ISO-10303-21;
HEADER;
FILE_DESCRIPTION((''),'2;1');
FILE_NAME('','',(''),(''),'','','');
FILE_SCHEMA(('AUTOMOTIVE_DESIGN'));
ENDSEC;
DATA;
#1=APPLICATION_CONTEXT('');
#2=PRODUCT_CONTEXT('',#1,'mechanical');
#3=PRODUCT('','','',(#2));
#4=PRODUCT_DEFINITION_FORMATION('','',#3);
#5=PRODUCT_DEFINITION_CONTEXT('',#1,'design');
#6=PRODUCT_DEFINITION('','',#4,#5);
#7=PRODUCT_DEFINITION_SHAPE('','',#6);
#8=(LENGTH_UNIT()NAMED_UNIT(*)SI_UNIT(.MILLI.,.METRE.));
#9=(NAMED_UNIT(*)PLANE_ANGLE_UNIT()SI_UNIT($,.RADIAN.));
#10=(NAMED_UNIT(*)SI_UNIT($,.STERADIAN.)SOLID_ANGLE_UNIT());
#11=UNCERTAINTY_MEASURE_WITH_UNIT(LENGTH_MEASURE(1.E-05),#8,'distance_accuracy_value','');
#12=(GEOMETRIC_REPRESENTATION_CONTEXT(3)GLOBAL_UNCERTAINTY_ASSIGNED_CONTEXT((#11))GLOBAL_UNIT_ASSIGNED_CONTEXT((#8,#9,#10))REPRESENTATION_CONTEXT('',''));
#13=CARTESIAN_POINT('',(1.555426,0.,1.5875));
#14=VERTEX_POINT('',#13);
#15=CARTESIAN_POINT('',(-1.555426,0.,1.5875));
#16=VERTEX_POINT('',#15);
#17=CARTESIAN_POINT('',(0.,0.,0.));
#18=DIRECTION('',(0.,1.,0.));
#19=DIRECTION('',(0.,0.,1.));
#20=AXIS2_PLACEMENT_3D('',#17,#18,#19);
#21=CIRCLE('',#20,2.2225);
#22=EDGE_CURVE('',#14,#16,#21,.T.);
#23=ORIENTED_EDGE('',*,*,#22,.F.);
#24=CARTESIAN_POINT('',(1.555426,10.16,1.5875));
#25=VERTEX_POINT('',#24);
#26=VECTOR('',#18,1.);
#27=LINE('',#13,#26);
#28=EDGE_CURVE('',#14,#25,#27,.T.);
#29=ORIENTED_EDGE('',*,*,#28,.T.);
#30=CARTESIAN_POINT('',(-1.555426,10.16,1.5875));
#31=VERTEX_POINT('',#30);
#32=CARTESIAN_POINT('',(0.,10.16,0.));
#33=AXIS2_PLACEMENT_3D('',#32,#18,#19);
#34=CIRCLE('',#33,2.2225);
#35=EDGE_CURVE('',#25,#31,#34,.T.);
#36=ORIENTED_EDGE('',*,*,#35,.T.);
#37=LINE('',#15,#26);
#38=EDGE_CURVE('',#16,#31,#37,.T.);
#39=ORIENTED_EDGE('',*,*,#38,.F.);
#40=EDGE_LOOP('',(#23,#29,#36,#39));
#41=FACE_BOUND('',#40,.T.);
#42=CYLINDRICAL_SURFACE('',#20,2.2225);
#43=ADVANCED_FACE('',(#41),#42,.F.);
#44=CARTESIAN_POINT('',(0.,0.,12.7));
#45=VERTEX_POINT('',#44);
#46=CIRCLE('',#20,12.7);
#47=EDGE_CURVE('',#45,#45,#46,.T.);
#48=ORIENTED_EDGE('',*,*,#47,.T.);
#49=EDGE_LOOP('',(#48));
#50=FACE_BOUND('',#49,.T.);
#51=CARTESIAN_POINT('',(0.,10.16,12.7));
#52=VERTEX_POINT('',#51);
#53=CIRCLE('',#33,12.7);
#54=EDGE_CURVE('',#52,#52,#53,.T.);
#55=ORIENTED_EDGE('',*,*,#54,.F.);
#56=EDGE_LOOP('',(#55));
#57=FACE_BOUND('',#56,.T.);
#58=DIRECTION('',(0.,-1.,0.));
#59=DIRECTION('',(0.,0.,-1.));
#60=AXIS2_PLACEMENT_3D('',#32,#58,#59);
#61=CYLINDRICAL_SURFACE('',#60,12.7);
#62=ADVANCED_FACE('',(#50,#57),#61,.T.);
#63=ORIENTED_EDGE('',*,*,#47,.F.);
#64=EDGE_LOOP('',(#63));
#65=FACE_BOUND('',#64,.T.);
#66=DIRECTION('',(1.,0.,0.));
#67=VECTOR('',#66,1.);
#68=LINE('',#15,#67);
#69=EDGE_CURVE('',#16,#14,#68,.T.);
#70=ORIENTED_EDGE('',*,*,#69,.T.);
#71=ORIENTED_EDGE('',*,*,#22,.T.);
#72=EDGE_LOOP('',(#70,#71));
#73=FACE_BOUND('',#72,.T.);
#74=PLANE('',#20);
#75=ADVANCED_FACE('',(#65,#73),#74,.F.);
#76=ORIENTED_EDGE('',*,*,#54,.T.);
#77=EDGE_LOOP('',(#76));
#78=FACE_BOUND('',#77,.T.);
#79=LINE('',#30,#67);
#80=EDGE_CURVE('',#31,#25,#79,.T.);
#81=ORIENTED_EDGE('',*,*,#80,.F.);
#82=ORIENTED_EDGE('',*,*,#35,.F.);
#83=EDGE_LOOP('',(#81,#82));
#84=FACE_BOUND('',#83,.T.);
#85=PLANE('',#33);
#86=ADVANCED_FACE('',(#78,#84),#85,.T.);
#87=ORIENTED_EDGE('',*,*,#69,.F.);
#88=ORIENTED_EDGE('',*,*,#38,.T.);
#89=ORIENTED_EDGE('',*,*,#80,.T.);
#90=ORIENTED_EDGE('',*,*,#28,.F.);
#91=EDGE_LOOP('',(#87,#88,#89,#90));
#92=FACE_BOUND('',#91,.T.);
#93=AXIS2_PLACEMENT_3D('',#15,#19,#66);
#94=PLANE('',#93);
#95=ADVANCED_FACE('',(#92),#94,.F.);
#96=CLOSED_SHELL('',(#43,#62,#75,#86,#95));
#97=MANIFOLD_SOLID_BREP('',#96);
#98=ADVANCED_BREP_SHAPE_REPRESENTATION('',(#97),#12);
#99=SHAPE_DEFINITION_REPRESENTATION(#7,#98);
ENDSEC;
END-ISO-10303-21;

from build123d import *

# Parameters (mm, degrees)
SKETCH1_R           = 12.7
BOSS_EXTRUDE1_DEPTH = 10.16
CUT_EXTRUDE1_DEPTH  = 21.635057548


with BuildPart() as part:
    # Sketch1 → Boss-Extrude1 (new body)
    with BuildSketch(Plane(origin=(0, 0, 0), x_dir=(1, 0, 0), z_dir=(0, 1, 0))):
        with Locations(Location((0, 0, 0), (0, 0, 270))):
            Circle(SKETCH1_R)
    extrude(amount=BOSS_EXTRUDE1_DEPTH)

    # Sketch2 → Cut-Extrude1 (cut, through all)
    with BuildSketch(Plane(origin=(0, 10.16, 0), x_dir=(1, 0, 0), z_dir=(0, 1, 0))):
        with BuildLine():
            Line((-1.555425987, -1.5875), (1.555425987, -1.5875))
            ThreePointArc((1.555425987, -1.5875), (0, 2.2225), (-1.555425987, -1.5875))
        make_face()
    extrude(amount=-CUT_EXTRUDE1_DEPTH, mode=Mode.SUBTRACT)


solid = part.part
